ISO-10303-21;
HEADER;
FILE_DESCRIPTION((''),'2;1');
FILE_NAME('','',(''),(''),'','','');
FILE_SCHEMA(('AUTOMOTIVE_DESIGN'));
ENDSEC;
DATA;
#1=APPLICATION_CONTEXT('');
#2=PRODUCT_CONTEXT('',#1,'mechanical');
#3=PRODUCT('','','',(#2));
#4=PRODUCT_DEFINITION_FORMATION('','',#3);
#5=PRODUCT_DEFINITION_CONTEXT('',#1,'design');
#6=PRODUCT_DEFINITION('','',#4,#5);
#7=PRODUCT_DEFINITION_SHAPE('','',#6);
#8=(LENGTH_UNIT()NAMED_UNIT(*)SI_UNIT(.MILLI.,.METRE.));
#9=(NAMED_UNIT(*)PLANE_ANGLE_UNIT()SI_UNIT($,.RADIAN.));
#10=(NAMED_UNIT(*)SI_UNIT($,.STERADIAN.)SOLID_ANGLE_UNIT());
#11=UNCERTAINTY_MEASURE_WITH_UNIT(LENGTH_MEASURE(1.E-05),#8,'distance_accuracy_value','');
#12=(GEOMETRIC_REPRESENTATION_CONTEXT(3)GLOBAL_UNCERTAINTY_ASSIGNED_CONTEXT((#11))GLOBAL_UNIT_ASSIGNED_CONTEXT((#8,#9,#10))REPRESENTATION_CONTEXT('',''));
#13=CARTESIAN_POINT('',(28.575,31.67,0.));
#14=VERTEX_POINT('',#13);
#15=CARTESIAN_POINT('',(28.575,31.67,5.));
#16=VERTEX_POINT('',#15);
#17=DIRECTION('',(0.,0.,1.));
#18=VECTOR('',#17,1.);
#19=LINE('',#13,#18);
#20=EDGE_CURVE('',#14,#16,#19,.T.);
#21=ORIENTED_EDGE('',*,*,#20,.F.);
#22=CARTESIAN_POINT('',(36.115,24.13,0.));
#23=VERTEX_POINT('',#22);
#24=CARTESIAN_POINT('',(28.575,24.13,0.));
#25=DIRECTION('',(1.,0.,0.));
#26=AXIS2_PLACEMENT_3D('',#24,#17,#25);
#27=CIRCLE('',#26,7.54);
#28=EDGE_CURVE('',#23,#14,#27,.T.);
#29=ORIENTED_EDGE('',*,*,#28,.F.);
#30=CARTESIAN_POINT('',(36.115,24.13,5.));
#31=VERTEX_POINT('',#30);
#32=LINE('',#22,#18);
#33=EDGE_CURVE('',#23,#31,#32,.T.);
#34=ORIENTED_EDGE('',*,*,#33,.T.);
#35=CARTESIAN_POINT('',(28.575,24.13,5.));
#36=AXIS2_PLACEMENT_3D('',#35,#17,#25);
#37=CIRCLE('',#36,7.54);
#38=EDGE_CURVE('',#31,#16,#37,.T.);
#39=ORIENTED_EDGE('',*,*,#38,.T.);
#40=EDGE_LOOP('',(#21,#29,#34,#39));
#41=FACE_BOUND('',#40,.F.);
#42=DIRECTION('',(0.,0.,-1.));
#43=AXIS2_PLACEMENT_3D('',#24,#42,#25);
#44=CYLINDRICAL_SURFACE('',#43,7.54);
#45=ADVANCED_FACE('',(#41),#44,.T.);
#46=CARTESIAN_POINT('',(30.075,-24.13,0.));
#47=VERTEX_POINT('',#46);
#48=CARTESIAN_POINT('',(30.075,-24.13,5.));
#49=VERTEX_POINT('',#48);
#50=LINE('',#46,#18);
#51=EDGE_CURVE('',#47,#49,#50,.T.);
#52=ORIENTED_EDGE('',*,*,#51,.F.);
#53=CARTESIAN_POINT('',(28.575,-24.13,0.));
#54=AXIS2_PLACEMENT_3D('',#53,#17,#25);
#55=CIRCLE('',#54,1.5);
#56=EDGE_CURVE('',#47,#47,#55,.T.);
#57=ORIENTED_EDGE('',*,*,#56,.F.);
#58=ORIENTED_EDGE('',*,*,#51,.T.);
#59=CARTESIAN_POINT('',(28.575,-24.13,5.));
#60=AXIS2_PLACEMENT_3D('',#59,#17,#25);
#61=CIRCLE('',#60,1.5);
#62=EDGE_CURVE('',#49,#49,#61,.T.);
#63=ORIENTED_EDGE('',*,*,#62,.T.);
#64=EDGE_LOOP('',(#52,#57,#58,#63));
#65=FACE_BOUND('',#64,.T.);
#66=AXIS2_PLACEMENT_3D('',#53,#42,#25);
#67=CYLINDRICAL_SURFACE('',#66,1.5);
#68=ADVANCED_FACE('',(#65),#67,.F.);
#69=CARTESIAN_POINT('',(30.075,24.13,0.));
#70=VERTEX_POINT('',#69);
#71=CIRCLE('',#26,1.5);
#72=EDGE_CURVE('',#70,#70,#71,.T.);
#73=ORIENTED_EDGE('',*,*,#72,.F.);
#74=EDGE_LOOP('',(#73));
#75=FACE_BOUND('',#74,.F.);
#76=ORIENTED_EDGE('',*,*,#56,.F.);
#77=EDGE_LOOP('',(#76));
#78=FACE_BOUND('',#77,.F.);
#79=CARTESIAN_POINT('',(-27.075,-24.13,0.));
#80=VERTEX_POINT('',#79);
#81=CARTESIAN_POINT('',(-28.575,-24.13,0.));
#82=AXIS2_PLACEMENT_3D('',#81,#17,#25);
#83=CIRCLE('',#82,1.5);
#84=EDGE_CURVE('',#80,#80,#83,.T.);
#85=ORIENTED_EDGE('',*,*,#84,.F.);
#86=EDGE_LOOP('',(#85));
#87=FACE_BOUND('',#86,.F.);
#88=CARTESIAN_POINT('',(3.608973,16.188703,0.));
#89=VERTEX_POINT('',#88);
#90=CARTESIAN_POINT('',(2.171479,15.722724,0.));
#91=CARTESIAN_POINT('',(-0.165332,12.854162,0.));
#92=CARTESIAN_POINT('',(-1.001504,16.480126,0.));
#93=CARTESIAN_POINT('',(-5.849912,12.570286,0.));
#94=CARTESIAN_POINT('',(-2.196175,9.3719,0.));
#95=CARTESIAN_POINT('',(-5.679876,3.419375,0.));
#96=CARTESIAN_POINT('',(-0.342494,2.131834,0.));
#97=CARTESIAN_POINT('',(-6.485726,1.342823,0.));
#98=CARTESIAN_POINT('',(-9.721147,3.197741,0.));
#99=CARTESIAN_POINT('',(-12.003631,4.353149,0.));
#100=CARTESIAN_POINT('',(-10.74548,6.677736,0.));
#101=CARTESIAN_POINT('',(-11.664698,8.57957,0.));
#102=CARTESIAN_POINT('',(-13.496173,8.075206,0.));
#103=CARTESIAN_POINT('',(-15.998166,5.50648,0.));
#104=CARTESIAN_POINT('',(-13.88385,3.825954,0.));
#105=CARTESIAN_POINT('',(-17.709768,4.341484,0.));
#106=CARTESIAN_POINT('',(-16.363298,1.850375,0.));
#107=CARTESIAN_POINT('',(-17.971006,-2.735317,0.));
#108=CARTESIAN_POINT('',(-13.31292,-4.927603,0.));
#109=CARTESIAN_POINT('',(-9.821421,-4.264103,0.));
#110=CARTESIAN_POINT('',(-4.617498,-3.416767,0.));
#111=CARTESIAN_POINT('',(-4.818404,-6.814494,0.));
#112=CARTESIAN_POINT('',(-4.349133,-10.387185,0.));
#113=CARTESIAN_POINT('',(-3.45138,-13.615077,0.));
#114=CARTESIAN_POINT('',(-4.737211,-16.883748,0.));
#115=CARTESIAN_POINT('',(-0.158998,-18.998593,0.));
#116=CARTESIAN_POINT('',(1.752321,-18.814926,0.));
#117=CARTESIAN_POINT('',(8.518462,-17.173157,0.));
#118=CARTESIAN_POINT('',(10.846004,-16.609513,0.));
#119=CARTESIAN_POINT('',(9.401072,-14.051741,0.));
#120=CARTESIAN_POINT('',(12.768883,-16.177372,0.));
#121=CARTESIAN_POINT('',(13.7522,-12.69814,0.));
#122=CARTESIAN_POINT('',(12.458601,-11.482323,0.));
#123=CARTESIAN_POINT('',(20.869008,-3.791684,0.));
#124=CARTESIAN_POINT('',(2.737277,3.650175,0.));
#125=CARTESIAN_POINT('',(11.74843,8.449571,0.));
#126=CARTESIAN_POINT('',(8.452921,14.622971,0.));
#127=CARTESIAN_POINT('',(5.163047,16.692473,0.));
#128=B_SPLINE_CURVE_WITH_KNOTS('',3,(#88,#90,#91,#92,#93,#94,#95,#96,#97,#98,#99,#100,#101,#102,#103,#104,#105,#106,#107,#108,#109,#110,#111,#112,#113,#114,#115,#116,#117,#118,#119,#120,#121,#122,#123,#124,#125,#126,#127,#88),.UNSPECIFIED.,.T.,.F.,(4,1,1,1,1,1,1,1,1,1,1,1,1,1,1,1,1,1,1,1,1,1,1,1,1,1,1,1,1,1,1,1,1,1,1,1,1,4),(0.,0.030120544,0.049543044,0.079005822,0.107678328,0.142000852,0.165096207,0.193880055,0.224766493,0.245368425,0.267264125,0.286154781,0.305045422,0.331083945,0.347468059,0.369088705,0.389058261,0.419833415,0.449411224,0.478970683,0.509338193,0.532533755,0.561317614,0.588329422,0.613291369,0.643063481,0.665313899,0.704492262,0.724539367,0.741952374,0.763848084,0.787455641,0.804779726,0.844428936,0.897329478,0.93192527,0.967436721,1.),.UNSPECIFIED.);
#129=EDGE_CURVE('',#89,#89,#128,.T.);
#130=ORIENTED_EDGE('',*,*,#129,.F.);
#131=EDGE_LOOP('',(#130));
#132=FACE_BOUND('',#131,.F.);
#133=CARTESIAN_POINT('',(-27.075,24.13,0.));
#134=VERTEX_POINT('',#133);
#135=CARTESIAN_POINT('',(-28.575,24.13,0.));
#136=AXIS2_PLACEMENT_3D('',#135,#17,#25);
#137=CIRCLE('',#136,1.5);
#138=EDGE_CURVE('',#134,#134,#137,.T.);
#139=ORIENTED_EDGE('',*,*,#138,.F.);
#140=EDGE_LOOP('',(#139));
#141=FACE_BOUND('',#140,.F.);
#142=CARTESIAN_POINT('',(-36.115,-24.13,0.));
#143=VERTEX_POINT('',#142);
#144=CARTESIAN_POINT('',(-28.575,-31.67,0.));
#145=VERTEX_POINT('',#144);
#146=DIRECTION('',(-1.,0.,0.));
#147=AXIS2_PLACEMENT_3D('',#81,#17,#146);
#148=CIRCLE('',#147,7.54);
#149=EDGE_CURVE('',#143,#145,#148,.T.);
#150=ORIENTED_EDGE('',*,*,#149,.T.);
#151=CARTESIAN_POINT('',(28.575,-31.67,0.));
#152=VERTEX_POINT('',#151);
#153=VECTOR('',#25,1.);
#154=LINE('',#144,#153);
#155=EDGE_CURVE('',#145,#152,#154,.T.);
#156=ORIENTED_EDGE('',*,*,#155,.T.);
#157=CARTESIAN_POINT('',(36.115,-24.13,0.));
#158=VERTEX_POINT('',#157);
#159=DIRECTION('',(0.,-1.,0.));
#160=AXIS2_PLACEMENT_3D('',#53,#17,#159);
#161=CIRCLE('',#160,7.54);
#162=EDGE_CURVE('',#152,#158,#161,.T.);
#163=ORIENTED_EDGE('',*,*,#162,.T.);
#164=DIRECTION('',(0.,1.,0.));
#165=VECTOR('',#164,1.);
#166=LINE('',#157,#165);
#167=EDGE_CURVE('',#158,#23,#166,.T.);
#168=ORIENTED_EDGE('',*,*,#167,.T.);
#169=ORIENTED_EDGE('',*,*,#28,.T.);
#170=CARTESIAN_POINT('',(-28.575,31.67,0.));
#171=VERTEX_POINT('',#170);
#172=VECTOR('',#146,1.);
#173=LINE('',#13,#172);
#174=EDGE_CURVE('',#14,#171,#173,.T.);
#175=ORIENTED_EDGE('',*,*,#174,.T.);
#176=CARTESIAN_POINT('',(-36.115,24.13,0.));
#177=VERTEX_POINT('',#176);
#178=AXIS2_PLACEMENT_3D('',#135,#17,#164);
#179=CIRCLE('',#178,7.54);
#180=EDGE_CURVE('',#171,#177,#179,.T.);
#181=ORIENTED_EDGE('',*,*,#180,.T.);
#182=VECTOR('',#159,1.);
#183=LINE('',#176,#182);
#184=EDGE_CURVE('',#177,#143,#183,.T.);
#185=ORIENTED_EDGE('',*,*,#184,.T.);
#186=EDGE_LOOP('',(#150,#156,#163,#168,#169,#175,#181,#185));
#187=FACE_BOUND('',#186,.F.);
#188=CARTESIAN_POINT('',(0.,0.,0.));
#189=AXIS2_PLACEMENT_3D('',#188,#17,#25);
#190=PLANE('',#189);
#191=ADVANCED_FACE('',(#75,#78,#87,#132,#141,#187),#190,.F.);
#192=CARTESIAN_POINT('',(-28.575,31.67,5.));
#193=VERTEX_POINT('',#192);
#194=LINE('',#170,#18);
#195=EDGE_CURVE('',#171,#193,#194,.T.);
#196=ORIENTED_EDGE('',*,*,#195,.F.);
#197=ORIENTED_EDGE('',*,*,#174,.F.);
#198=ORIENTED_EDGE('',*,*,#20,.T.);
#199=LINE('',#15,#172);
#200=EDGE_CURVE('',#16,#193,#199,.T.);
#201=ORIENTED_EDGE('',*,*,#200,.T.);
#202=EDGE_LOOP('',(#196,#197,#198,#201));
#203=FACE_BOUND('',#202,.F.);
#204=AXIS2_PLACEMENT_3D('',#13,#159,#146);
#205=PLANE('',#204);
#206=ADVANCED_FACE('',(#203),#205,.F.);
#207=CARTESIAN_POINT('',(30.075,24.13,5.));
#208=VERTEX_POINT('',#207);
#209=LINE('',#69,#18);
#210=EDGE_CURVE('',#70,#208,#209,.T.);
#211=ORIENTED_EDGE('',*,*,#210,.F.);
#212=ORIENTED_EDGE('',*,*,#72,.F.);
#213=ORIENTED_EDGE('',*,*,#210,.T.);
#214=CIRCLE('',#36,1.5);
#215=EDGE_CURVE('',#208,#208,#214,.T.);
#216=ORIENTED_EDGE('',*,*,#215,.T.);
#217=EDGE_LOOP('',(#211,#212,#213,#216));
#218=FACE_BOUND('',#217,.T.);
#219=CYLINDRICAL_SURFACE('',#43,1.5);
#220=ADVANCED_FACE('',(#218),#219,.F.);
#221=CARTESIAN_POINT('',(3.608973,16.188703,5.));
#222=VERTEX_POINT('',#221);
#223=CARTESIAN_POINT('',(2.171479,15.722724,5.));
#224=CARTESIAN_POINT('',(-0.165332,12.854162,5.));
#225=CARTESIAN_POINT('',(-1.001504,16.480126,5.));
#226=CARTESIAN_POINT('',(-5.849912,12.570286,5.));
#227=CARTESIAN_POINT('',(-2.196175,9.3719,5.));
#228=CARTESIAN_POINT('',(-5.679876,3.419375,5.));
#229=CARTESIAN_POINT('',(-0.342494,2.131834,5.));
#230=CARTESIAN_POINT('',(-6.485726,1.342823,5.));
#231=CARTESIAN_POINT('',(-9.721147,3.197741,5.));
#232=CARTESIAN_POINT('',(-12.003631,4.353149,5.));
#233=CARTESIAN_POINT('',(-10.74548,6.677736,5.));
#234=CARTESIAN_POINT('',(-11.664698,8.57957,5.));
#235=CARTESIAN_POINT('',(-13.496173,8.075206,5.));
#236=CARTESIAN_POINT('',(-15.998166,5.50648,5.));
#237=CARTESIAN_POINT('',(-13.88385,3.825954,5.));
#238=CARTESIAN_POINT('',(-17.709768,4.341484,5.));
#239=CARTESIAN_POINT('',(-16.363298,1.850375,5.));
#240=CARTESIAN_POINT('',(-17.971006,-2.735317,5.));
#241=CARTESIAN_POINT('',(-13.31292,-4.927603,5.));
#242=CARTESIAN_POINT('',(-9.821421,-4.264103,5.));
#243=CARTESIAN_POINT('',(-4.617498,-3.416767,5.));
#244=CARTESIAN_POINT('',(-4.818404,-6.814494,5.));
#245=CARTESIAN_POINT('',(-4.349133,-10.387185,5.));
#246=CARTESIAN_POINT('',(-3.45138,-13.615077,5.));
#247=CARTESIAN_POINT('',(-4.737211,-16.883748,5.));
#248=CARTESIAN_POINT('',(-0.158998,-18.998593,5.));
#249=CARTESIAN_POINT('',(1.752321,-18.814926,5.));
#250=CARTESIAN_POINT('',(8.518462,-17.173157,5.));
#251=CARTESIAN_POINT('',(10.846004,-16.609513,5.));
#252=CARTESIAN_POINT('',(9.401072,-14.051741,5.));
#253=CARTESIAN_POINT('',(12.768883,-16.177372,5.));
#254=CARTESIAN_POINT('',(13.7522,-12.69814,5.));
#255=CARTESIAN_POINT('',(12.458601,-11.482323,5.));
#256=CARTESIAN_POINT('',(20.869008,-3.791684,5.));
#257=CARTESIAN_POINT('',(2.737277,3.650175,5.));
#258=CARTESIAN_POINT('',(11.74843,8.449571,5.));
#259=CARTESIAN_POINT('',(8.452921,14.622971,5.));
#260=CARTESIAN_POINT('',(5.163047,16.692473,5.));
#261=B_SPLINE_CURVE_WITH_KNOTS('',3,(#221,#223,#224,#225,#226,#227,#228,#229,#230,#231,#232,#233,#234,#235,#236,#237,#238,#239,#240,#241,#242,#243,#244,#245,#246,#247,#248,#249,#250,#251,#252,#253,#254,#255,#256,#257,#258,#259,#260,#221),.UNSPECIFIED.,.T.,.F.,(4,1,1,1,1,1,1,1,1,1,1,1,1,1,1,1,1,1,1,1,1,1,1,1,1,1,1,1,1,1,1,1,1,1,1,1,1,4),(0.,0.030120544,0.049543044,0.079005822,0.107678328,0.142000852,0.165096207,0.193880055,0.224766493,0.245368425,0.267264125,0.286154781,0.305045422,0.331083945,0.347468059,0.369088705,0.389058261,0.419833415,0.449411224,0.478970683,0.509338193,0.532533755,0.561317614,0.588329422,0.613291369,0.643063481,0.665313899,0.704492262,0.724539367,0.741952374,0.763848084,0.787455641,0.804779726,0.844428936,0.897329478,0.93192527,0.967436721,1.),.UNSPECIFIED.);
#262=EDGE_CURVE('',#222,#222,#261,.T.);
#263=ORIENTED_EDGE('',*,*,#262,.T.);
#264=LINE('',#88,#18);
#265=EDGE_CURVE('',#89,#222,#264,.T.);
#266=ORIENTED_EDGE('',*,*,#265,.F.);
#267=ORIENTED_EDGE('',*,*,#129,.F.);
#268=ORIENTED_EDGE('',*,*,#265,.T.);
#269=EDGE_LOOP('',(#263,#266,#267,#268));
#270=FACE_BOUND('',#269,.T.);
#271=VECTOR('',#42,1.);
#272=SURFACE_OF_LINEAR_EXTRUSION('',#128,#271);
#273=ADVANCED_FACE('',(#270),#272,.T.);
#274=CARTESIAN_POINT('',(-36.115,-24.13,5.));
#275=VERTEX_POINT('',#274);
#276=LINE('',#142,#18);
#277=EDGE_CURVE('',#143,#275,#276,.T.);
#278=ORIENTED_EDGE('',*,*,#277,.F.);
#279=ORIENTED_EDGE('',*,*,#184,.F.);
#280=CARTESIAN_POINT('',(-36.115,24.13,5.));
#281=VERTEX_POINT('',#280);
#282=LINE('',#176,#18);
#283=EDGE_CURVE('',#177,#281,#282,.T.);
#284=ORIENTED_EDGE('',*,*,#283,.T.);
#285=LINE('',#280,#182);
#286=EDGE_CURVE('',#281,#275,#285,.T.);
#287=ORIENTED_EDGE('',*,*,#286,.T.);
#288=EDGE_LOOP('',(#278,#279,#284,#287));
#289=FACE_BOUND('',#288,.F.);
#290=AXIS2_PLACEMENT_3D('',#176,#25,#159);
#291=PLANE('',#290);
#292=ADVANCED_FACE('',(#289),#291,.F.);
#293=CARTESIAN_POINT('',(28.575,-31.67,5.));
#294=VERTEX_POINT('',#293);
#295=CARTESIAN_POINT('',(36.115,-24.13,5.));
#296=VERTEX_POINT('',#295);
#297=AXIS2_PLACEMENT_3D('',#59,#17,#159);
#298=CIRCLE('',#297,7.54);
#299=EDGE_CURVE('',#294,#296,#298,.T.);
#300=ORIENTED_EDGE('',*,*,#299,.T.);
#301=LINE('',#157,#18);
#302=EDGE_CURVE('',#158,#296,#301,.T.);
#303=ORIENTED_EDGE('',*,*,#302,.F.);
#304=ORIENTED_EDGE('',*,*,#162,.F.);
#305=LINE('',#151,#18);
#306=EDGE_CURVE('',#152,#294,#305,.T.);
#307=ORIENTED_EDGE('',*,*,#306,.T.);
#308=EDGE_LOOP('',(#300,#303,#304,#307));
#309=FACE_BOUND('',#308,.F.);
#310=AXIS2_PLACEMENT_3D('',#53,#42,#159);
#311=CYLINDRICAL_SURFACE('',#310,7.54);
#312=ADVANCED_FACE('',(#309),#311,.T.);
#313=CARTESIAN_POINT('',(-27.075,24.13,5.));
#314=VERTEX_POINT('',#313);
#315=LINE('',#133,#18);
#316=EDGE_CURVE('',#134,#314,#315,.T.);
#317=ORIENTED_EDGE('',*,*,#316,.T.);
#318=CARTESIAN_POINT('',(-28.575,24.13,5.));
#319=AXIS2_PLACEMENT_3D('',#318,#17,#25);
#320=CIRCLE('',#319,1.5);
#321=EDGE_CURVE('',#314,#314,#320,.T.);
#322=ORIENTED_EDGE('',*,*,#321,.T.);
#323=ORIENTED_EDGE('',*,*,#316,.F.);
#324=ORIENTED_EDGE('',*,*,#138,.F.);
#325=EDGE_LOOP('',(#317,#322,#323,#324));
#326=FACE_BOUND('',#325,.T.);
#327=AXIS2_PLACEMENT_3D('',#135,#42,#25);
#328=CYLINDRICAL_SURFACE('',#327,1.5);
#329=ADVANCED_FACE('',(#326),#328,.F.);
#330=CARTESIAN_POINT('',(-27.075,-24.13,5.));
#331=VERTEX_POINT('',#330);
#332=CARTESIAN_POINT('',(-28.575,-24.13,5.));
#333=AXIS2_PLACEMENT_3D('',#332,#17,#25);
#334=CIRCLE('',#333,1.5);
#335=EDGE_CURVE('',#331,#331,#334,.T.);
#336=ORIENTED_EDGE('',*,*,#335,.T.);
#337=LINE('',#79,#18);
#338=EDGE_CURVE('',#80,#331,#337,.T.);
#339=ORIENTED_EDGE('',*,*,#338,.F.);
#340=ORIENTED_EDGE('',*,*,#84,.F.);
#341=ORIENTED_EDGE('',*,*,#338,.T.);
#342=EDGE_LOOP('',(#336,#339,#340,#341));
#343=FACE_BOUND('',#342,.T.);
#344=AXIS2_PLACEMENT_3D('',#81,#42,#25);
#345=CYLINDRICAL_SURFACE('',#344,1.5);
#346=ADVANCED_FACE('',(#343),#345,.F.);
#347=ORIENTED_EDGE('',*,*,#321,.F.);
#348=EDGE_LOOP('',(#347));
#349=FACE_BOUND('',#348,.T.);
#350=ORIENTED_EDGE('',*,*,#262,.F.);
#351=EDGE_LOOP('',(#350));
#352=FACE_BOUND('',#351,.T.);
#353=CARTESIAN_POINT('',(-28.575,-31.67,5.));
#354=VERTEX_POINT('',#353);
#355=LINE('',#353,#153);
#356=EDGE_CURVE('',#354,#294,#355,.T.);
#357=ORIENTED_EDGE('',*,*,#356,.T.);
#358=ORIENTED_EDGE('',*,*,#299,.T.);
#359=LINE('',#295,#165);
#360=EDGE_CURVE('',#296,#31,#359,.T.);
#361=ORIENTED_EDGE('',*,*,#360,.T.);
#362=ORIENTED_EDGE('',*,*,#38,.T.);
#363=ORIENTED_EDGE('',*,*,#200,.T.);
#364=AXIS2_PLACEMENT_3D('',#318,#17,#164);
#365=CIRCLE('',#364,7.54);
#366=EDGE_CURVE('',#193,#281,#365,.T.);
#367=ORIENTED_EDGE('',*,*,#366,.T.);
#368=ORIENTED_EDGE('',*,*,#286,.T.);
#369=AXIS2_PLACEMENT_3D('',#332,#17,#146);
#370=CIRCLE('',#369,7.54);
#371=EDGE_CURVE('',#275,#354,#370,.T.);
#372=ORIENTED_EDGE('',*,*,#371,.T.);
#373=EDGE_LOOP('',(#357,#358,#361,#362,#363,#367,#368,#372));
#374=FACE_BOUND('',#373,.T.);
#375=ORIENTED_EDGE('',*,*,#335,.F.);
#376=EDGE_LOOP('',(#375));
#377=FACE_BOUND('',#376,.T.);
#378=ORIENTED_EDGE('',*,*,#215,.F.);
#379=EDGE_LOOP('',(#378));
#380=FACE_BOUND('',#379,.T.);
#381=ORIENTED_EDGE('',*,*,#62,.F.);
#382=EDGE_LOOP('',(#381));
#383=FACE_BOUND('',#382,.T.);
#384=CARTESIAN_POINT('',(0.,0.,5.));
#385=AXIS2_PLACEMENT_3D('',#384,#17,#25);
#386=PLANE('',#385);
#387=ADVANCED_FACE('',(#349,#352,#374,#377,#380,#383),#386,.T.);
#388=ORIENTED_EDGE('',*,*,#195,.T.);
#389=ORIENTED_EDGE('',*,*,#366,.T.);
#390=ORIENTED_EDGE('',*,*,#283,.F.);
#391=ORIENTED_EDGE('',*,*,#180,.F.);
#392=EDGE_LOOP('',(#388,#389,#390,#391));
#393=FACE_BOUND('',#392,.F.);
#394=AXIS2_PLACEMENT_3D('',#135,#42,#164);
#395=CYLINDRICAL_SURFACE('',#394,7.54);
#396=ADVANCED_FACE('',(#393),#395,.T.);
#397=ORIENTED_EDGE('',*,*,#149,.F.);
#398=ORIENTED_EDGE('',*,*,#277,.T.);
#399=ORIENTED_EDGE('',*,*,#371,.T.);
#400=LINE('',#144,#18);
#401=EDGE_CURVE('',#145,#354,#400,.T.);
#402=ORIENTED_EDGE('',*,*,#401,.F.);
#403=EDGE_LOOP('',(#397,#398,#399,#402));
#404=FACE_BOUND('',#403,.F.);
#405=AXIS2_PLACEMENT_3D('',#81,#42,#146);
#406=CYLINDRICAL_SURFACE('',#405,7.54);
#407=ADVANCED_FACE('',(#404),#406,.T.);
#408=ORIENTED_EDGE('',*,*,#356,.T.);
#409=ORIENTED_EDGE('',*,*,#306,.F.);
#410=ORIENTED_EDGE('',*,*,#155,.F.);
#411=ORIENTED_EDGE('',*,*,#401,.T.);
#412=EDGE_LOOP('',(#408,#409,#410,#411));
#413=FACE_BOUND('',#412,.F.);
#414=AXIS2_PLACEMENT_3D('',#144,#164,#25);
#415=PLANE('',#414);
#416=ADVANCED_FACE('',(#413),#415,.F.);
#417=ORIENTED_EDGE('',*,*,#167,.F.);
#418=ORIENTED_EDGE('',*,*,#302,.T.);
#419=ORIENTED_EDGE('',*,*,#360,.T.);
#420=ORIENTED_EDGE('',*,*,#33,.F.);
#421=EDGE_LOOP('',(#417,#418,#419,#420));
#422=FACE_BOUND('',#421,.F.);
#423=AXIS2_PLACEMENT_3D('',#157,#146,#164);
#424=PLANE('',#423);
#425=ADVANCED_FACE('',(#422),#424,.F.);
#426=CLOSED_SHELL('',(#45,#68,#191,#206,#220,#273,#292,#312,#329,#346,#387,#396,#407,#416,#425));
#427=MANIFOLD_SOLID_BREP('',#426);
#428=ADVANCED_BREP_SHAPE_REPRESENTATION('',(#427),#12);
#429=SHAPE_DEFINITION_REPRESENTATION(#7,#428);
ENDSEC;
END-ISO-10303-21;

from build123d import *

# Parameters (mm, degrees)
F0_R     = 1.5
F1_DEPTH = 5


with BuildPart() as f1:
    # F0 (on Top) → F1 (new body)
    with BuildSketch(Plane.XY):
        with BuildLine():
            ThreePointArc((36.115, 24.13), (33.9065851301, 29.4615851301), (28.575, 31.67))
            Line((28.575, 31.67), (-28.575, 31.67))
            ThreePointArc((-28.575, 31.67), (-33.9065851301, 29.4615851301), (-36.115, 24.13))
            Line((-36.115, 24.13), (-36.115, -24.13))
            ThreePointArc((-36.115, -24.13), (-33.9065851301, -29.4615851301), (-28.575, -31.67))
            Line((-28.575, -31.67), (28.575, -31.67))
            ThreePointArc((28.575, -31.67), (33.9065851301, -29.4615851301), (36.115, -24.13))
            Line((36.115, -24.13), (36.115, 24.13))
        make_face()
        with Locations((-28.575, -24.13)):
            Circle(F0_R, mode=Mode.SUBTRACT)
        with Locations((28.575, -24.13)):
            Circle(F0_R, mode=Mode.SUBTRACT)
        with BuildLine():
            add(Edge.make_bspline(
                [(3.608973464, 16.1887034774), (2.171478593, 15.7227240843), (-0.1653323347, 12.8541616063), (-1.0015044911, 16.4801261118), (-5.849912091, 12.5702857027), (-2.196174551, 9.3719001246), (-5.6798757303, 3.4193753287), (-0.3424935067, 2.1318340705), (-6.4857255106, 1.3428230684), (-9.7211473353, 3.1977411729), (-12.0036311455, 4.3531492968), (-10.745480396, 6.6777362098), (-11.6646980606, 8.5795703079), (-13.496173318, 8.0752055155), (-15.9981659821, 5.5064797571), (-13.8838501889, 3.8259538881), (-17.7097684853, 4.3414842321), (-16.3632984322, 1.8503748311), (-17.9710058408, -2.7353167522), (-13.3129197506, -4.9276028672), (-9.8214206249, -4.2641033403), (-4.6174981093, -3.4167671203), (-4.8184035522, -6.8144937343), (-4.3491327576, -10.3871845751), (-3.4513802058, -13.6150765245), (-4.737210803, -16.8837480304), (-0.1589978757, -18.9985927457), (1.7523207798, -18.8149261343), (8.5184616697, -17.1731565546), (10.8460044637, -16.6095133795), (9.4010719634, -14.0517411172), (12.7688832537, -16.1773722624), (13.7521995056, -12.698140093), (12.4586014702, -11.482323148), (20.8690076409, -3.7916840729), (2.7372771032, 3.6501748446), (11.7484300393, 8.4495710968), (8.4529206623, 14.6229707937), (5.1630471581, 16.6924731474), (3.608973464, 16.1887034774)],
                knots=[0, 0, 0, 0, 0.0301205445, 0.0495430435, 0.0790058219, 0.1076783279, 0.1420008517, 0.1650962065, 0.1938800552, 0.2247664931, 0.245368425, 0.2672641246, 0.2861547813, 0.3050454221, 0.3310839447, 0.3474680589, 0.3690887047, 0.3890582612, 0.4198334151, 0.4494112237, 0.4789706833, 0.5093381931, 0.5325337549, 0.5613176142, 0.5883294216, 0.613291369, 0.643063481, 0.6653138995, 0.704492262, 0.7245393672, 0.7419523741, 0.7638480843, 0.7874556405, 0.8047797265, 0.8444289357, 0.8973294783, 0.9319252703, 0.9674367214, 1, 1, 1, 1], degree=3))
        make_face(mode=Mode.SUBTRACT)
        with Locations((-28.575, 24.13)):
            Circle(F0_R, mode=Mode.SUBTRACT)
        with Locations((28.575, 24.13)):
            Circle(F0_R, mode=Mode.SUBTRACT)
    extrude(amount=F1_DEPTH)


solid = f1.part
